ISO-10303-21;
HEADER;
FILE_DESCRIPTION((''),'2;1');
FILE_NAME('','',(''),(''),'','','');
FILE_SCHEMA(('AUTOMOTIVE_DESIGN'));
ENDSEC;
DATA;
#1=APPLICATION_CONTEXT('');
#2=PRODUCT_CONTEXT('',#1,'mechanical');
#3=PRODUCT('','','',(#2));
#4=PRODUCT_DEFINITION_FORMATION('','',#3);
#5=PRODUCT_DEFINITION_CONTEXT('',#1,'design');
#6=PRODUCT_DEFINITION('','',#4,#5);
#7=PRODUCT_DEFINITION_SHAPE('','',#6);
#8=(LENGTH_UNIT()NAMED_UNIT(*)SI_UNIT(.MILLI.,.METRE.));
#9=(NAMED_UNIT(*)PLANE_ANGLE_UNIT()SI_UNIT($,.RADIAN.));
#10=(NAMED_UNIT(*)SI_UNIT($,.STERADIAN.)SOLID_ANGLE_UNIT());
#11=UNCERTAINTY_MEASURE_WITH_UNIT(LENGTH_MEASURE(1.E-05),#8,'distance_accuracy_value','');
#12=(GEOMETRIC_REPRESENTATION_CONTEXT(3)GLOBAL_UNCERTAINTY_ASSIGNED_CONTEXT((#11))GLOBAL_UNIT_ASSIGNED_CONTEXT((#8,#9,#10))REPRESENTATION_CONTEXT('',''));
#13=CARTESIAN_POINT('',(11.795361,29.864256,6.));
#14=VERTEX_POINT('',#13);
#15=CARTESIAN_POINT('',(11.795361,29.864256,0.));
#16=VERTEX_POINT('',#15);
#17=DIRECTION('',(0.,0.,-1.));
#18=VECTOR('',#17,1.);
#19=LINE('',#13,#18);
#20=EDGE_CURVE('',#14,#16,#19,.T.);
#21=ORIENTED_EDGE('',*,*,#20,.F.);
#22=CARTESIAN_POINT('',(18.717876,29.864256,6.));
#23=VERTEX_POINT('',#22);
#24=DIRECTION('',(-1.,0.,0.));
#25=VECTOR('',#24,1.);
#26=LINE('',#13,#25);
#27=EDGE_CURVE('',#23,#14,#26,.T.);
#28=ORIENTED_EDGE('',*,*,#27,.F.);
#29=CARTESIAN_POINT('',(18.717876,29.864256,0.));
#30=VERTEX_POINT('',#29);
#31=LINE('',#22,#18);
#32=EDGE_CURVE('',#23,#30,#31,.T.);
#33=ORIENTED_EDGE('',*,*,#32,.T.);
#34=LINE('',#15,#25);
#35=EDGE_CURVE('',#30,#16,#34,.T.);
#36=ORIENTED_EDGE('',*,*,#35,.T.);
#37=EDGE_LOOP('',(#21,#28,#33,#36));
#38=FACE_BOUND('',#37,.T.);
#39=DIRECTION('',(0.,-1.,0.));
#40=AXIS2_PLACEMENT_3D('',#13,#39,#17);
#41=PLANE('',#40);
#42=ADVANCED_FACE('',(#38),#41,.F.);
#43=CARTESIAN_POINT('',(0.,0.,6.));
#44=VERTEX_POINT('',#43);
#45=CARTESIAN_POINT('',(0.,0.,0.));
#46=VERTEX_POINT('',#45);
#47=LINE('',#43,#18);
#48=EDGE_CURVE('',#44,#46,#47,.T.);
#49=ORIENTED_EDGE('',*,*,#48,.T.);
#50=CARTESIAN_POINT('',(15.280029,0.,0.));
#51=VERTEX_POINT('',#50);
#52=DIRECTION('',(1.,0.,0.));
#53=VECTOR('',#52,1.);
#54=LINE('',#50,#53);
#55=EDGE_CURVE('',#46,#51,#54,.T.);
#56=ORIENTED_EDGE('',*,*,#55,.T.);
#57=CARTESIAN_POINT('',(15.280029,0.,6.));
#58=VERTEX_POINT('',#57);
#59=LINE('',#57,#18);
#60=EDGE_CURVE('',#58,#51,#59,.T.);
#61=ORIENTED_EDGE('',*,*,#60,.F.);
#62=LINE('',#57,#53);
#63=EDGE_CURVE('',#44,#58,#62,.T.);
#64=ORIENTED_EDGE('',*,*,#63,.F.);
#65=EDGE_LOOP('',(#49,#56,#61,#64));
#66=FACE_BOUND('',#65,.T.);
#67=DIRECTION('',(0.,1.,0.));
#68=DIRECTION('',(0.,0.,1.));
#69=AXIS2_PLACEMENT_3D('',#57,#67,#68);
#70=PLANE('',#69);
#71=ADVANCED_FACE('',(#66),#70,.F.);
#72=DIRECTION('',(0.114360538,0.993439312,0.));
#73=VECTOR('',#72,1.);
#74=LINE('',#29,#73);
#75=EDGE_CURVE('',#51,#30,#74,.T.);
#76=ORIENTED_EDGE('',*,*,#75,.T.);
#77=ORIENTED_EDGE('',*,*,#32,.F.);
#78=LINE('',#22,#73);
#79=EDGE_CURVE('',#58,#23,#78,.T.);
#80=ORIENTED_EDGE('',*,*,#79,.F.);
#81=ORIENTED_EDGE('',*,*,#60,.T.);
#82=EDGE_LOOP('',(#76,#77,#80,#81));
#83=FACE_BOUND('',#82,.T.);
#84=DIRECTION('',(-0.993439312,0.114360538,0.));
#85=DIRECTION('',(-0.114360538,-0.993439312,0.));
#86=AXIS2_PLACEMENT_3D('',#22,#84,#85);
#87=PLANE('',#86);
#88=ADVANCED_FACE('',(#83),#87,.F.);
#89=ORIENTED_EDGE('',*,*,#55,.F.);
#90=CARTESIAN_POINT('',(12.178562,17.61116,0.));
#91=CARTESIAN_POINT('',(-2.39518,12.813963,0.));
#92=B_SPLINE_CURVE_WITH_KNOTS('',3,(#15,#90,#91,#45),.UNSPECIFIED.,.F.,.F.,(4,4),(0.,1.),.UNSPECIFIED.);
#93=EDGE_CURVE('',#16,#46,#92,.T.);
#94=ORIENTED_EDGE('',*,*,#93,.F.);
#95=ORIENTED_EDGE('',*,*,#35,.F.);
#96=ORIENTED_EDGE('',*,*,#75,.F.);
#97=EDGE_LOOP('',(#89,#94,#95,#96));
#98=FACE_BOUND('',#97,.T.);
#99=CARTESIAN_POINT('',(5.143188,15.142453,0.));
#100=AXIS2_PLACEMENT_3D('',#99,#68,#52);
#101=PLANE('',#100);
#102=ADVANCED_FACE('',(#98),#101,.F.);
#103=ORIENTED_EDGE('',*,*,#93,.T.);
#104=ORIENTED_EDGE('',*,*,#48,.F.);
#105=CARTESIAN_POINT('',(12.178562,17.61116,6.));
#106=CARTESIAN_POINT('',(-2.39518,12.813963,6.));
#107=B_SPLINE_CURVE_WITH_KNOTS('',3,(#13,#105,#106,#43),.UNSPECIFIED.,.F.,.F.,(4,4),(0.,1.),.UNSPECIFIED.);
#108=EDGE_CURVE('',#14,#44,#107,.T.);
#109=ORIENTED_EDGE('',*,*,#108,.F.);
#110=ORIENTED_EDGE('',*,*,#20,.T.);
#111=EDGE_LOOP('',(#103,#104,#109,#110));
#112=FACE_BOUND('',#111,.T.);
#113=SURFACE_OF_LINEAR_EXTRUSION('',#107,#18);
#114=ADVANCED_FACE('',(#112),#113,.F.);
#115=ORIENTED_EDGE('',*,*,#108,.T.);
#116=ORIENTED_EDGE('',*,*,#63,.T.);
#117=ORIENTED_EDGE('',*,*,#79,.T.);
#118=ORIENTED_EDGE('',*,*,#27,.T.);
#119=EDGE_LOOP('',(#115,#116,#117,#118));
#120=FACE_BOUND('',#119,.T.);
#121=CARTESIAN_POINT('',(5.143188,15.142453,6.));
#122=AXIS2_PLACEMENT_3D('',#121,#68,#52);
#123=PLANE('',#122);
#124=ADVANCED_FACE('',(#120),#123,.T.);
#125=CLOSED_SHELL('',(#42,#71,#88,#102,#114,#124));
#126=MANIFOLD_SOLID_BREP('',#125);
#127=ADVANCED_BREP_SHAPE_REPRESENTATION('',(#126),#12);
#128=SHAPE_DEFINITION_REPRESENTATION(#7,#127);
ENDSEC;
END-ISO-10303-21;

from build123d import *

# Parameters (mm, degrees)
BOSS_EXTRUDE1_DEPTH = 6


with BuildPart() as part:
    # Sketch1 → Boss-Extrude1 (new body)
    with BuildSketch(Plane.XY):
        with BuildLine():
            Line((11.795360814, 29.864255565), (18.717875998, 29.864255565))
            Line((18.717875998, 29.864255565), (15.280029016, 0))
            Line((15.280029016, 0), (0, 0))
            add(Edge.make_bspline(
                [(0, 0), (-2.395179582, 12.813962905), (12.1785616, 17.611160307), (11.795360814, 29.864255565)],
                knots=[0, 0, 0, 0, 1, 1, 1, 1], degree=3))
        make_face()
    extrude(amount=BOSS_EXTRUDE1_DEPTH)


solid = part.part
